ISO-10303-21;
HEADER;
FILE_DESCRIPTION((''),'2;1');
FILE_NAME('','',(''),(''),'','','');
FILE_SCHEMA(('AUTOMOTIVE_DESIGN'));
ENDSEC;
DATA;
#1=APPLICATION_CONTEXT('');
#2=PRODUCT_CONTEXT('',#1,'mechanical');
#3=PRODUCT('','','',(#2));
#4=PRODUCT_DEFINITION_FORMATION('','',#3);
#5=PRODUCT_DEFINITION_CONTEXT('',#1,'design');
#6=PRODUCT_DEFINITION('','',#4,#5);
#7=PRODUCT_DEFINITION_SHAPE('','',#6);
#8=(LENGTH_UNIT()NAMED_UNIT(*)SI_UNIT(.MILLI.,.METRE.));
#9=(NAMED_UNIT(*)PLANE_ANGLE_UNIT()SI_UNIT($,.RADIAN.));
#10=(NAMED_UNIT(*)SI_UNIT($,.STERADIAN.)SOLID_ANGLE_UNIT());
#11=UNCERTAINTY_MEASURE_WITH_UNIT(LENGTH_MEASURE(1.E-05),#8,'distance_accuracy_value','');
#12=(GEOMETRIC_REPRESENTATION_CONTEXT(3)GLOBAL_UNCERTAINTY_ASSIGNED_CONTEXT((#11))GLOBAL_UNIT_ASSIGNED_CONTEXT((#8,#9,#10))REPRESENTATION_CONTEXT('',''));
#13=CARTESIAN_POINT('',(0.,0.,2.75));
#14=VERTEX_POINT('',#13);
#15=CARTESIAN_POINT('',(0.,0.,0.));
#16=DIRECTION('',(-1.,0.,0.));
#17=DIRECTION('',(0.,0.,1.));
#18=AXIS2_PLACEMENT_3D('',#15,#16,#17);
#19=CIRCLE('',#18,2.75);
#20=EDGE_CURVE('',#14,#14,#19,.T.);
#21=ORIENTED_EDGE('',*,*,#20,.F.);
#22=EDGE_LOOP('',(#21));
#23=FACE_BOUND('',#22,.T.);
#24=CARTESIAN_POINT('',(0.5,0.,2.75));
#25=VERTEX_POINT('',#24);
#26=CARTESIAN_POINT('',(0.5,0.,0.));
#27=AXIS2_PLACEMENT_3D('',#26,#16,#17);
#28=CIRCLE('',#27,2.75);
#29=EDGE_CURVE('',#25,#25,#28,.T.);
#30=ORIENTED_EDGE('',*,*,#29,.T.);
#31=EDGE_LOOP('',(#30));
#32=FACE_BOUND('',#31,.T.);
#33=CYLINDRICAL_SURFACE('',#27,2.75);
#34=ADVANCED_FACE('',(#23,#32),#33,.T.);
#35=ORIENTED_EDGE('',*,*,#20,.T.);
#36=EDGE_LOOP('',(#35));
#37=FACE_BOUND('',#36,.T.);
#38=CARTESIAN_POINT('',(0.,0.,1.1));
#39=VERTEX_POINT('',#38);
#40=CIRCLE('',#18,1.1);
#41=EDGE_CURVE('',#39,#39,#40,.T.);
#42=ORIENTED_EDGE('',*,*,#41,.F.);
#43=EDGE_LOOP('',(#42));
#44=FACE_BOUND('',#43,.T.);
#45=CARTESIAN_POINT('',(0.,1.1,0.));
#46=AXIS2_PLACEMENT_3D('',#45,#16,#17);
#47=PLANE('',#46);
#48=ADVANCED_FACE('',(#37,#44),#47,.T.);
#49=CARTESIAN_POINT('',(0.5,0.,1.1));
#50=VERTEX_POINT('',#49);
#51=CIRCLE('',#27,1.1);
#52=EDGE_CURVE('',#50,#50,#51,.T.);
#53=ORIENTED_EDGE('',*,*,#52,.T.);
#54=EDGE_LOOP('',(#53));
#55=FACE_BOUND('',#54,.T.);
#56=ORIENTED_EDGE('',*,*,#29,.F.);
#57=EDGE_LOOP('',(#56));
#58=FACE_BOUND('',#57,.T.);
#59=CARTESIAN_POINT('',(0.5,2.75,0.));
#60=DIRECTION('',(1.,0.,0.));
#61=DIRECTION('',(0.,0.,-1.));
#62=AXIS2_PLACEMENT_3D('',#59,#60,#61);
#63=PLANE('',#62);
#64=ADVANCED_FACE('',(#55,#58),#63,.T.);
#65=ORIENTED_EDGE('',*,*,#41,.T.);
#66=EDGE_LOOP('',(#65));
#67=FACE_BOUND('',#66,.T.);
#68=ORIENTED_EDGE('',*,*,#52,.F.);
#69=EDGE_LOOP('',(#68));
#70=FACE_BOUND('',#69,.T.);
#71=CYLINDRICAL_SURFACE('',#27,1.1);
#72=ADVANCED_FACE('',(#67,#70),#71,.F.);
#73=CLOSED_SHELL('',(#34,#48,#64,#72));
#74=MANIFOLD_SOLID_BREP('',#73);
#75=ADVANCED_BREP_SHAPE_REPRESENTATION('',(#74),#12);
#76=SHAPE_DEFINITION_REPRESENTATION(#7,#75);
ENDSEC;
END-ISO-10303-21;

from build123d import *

# Parameters (mm, degrees)
ESQUISSE1_W = 0.5
ESQUISSE1_H = 1.65


with BuildPart() as part:
    # Esquisse1 → Révolution1 (revolve)
    with BuildSketch(Plane(origin=(0, 0, 0), x_dir=(-1, 0, 0), z_dir=(0, 0, -1))):
        with Locations((-0.25, 1.925)):
            Rectangle(ESQUISSE1_W, ESQUISSE1_H)
    revolve(axis=Axis((0.5, 0, 0), (-1, 0, 0)))


solid = part.part
